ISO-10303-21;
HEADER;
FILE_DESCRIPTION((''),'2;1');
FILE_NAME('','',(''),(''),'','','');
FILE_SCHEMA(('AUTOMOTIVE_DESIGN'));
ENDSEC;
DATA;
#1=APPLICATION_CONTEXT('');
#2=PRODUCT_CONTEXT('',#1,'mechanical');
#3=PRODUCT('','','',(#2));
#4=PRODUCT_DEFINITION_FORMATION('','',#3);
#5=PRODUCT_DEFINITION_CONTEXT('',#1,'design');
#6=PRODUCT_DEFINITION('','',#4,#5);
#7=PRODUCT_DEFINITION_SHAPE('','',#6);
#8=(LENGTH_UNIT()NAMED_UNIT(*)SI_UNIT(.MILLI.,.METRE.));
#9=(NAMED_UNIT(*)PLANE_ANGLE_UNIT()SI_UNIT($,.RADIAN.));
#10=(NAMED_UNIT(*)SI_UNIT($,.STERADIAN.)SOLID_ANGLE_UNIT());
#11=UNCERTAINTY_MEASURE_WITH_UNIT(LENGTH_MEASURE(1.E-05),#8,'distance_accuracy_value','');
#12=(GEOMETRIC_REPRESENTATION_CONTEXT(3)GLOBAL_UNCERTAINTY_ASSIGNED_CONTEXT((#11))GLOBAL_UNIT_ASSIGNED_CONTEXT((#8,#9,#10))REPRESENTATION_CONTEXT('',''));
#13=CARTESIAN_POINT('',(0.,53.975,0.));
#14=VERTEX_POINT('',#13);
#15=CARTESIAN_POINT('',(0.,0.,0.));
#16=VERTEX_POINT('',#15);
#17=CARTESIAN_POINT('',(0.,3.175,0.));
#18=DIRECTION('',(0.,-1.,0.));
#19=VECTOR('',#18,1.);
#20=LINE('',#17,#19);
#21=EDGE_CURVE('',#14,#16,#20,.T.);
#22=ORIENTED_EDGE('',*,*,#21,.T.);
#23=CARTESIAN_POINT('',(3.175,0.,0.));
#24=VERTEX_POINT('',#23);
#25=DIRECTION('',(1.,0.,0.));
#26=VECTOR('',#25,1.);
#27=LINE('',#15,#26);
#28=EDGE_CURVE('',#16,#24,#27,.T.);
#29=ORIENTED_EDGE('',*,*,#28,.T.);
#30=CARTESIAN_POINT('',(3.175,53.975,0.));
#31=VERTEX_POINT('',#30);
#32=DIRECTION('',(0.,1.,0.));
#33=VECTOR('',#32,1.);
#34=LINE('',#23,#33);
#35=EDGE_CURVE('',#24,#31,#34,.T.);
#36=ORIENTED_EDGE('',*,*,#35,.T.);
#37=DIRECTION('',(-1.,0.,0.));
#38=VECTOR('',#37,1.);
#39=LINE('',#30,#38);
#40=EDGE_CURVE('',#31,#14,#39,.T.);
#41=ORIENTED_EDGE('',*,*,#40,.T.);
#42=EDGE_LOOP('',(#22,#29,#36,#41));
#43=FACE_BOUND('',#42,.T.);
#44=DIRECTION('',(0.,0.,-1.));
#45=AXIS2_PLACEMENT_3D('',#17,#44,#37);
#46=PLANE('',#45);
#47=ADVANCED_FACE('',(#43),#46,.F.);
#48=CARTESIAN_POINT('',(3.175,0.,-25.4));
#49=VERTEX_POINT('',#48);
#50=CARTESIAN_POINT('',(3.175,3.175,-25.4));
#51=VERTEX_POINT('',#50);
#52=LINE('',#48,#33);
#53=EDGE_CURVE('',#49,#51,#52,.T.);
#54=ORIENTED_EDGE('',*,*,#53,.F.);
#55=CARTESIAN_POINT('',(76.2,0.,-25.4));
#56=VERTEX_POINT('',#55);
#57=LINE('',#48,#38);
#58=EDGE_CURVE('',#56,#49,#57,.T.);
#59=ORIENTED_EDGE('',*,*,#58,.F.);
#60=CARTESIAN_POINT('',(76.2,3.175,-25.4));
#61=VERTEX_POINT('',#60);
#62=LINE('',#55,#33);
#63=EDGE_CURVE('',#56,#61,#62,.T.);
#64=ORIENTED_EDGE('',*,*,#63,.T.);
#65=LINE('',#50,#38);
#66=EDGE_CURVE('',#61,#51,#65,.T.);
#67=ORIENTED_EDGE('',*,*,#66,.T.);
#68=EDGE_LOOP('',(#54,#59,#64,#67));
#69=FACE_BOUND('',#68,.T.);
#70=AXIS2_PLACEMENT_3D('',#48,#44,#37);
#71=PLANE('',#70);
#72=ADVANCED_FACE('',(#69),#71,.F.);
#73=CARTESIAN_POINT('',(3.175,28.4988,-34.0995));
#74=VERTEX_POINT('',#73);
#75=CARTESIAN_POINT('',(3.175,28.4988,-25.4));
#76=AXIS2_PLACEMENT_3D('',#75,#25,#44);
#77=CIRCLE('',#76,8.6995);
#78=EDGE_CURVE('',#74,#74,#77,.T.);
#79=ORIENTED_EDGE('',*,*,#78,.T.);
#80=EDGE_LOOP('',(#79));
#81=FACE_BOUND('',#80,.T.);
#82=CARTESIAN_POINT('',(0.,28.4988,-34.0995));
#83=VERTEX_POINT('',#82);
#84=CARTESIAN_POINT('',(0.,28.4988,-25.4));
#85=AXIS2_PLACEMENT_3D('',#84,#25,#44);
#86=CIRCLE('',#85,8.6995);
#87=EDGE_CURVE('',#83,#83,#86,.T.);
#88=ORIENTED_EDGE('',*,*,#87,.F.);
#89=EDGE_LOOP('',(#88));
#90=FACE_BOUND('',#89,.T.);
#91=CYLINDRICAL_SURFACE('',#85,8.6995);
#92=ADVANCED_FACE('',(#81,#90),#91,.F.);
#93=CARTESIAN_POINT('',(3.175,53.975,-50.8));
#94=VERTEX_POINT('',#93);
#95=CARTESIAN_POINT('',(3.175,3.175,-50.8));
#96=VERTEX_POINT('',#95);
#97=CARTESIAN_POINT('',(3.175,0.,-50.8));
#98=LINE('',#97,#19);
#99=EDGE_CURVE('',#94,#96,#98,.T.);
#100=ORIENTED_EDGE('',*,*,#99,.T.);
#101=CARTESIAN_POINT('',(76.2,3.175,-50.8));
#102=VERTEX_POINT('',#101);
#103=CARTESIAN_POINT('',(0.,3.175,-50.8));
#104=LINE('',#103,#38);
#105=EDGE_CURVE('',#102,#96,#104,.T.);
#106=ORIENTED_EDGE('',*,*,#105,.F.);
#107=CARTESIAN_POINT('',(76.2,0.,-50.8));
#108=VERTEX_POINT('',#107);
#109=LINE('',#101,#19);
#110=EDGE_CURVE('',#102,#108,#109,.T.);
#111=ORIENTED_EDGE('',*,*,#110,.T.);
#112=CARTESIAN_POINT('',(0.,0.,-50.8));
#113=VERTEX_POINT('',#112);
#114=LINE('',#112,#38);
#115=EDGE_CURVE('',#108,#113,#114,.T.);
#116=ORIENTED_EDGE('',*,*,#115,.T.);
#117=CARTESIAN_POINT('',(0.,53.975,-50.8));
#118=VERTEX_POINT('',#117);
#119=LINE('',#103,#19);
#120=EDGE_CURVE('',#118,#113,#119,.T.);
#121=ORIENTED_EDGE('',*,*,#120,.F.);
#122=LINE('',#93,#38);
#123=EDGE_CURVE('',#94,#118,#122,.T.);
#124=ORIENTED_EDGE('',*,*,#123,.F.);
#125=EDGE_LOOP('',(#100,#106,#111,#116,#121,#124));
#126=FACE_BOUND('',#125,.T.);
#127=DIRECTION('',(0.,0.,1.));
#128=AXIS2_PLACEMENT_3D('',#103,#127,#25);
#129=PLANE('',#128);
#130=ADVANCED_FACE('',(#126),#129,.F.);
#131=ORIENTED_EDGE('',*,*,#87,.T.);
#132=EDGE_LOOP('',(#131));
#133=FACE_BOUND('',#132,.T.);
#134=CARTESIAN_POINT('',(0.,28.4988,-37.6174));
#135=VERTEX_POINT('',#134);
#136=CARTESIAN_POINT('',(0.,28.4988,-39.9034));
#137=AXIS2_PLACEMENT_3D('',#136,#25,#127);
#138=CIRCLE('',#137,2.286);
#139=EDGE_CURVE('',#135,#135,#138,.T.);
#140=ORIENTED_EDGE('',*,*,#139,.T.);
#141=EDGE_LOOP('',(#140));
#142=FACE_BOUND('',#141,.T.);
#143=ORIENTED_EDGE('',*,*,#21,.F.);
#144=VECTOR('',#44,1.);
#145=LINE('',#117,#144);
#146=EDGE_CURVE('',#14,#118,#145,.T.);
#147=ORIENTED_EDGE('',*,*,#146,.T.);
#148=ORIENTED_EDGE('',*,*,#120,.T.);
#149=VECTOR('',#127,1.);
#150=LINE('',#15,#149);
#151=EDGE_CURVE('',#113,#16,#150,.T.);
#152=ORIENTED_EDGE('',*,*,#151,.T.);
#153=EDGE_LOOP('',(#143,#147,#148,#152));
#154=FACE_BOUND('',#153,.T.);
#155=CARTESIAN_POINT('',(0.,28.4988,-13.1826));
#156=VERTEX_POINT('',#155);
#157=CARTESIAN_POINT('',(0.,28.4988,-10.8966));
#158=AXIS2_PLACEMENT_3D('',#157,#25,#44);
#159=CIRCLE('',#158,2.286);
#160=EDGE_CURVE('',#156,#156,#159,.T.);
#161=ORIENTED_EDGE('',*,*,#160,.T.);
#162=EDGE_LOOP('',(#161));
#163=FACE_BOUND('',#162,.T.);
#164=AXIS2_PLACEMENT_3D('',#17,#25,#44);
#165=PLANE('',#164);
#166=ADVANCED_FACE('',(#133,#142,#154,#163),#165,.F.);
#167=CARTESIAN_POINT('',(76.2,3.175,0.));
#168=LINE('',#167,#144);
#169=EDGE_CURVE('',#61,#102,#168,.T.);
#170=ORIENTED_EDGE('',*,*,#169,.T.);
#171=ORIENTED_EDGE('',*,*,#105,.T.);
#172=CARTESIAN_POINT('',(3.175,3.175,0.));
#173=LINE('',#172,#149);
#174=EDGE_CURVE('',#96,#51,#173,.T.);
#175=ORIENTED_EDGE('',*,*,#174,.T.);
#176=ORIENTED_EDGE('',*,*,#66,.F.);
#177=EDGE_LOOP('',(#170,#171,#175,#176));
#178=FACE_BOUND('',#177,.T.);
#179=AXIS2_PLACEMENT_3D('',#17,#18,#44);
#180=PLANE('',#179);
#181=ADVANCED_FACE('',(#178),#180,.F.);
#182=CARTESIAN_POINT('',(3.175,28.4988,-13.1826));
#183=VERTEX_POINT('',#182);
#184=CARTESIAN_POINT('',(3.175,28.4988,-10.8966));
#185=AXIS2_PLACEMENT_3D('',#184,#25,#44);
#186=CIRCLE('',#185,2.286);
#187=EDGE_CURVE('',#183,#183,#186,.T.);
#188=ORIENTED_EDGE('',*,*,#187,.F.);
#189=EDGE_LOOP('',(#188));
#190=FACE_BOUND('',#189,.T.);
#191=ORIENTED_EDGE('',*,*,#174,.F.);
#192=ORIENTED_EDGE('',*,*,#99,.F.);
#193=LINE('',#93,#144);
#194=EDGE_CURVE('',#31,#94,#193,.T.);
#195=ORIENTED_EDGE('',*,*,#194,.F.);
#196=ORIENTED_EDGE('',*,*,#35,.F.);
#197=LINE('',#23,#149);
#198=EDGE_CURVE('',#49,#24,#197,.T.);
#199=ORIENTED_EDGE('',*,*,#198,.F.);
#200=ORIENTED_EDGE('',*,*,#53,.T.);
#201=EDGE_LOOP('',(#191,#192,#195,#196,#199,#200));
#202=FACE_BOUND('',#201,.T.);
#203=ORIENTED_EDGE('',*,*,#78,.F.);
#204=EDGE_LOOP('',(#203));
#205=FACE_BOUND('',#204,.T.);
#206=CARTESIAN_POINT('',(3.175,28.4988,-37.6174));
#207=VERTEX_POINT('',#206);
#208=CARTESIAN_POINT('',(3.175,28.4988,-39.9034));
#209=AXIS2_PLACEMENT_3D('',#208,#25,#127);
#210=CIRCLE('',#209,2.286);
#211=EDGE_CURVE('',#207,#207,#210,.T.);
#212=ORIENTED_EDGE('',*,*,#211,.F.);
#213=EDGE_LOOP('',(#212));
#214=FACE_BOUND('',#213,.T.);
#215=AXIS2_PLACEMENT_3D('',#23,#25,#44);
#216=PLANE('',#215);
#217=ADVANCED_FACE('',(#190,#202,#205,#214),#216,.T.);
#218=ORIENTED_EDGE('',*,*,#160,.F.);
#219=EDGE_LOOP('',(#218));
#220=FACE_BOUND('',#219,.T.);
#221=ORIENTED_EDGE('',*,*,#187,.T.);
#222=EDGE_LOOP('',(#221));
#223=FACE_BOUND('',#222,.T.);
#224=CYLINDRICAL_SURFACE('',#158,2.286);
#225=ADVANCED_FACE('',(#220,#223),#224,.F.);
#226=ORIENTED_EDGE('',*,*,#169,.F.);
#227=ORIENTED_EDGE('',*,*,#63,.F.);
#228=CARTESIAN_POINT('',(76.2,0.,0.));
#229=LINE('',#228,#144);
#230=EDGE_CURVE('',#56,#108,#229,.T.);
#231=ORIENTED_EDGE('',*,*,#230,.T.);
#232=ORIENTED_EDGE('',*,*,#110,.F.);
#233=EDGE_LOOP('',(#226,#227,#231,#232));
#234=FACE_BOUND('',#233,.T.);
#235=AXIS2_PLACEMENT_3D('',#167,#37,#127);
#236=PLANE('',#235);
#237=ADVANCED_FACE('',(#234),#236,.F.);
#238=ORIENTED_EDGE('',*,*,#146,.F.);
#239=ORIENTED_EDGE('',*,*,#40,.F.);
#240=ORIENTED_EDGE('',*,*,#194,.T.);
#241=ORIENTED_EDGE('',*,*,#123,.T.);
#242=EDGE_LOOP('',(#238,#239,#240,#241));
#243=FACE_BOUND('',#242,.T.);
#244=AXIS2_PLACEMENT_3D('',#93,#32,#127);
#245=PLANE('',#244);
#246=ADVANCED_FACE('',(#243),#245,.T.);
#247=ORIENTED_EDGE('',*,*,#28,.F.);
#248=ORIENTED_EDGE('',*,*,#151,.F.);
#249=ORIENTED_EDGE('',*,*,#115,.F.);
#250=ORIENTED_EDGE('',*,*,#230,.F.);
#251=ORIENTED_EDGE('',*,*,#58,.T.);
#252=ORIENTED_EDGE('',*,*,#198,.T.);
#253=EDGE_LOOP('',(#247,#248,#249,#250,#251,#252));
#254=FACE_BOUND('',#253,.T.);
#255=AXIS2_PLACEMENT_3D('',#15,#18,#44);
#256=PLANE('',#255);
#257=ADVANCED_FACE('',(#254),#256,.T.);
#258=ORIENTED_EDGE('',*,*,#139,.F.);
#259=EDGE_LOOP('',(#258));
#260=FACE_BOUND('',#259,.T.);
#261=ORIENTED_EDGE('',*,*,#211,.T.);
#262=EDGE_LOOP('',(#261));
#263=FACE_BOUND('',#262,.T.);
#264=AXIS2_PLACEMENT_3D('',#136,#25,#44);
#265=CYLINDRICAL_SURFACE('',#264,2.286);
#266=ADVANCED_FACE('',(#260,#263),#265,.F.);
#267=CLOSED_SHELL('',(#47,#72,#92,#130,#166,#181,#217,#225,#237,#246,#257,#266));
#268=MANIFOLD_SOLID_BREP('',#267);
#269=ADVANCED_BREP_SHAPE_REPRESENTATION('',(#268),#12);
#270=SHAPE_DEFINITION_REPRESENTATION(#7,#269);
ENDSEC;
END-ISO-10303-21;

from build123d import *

# Parameters (mm, degrees)
SKETCH1_W           = 76.2
SKETCH1_H           = 50.8
BOSS_EXTRUDE1_DEPTH = 3.175
SKETCH2_W           = 50.8
SKETCH2_H           = 53.975
BOSS_EXTRUDE2_DEPTH = 3.175
SKETCH4_R           = 2.286
SKETCH4_R_2         = 8.6995
CUT_EXTRUDE2_DEPTH  = 3.175
SKETCH6_W           = 73.025
SKETCH6_H           = 25.4
CUT_EXTRUDE3_DEPTH  = 3.175


with BuildPart() as part:
    # Sketch1 → Boss-Extrude1 (new body)
    with BuildSketch(Plane(origin=(0, 0, 0), x_dir=(1, 0, 0), z_dir=(0, 1, 0))):
        with Locations((38.1, 25.4)):
            Rectangle(SKETCH1_W, SKETCH1_H)
    extrude(amount=BOSS_EXTRUDE1_DEPTH)

    # Sketch2 → Boss-Extrude2 (add)
    with BuildSketch(Plane.ZY):
        with Locations((-25.4, 26.9875)):
            Rectangle(SKETCH2_W, SKETCH2_H)
    extrude(amount=-BOSS_EXTRUDE2_DEPTH)

    # Sketch4 → Cut-Extrude2 (cut)
    with BuildSketch(Plane(origin=(3.175, 0, 0), x_dir=(0, 0, -1), z_dir=(1, 0, 0))):
        with Locations((10.8966, 28.4988)):
            Circle(SKETCH4_R)
        with Locations((39.9034, 28.4988)):
            Circle(SKETCH4_R)
        with Locations((25.4, 28.4988)):
            Circle(SKETCH4_R_2)
    extrude(amount=-CUT_EXTRUDE2_DEPTH, mode=Mode.SUBTRACT)

    # Sketch6 → Cut-Extrude3 (cut)
    with BuildSketch(Plane(origin=(0, 3.175, 0), x_dir=(1, 0, 0), z_dir=(0, 1, 0))):
        with Locations((39.6875, 12.7)):
            Rectangle(SKETCH6_W, SKETCH6_H)
    extrude(amount=-CUT_EXTRUDE3_DEPTH, mode=Mode.SUBTRACT)


solid = part.part
